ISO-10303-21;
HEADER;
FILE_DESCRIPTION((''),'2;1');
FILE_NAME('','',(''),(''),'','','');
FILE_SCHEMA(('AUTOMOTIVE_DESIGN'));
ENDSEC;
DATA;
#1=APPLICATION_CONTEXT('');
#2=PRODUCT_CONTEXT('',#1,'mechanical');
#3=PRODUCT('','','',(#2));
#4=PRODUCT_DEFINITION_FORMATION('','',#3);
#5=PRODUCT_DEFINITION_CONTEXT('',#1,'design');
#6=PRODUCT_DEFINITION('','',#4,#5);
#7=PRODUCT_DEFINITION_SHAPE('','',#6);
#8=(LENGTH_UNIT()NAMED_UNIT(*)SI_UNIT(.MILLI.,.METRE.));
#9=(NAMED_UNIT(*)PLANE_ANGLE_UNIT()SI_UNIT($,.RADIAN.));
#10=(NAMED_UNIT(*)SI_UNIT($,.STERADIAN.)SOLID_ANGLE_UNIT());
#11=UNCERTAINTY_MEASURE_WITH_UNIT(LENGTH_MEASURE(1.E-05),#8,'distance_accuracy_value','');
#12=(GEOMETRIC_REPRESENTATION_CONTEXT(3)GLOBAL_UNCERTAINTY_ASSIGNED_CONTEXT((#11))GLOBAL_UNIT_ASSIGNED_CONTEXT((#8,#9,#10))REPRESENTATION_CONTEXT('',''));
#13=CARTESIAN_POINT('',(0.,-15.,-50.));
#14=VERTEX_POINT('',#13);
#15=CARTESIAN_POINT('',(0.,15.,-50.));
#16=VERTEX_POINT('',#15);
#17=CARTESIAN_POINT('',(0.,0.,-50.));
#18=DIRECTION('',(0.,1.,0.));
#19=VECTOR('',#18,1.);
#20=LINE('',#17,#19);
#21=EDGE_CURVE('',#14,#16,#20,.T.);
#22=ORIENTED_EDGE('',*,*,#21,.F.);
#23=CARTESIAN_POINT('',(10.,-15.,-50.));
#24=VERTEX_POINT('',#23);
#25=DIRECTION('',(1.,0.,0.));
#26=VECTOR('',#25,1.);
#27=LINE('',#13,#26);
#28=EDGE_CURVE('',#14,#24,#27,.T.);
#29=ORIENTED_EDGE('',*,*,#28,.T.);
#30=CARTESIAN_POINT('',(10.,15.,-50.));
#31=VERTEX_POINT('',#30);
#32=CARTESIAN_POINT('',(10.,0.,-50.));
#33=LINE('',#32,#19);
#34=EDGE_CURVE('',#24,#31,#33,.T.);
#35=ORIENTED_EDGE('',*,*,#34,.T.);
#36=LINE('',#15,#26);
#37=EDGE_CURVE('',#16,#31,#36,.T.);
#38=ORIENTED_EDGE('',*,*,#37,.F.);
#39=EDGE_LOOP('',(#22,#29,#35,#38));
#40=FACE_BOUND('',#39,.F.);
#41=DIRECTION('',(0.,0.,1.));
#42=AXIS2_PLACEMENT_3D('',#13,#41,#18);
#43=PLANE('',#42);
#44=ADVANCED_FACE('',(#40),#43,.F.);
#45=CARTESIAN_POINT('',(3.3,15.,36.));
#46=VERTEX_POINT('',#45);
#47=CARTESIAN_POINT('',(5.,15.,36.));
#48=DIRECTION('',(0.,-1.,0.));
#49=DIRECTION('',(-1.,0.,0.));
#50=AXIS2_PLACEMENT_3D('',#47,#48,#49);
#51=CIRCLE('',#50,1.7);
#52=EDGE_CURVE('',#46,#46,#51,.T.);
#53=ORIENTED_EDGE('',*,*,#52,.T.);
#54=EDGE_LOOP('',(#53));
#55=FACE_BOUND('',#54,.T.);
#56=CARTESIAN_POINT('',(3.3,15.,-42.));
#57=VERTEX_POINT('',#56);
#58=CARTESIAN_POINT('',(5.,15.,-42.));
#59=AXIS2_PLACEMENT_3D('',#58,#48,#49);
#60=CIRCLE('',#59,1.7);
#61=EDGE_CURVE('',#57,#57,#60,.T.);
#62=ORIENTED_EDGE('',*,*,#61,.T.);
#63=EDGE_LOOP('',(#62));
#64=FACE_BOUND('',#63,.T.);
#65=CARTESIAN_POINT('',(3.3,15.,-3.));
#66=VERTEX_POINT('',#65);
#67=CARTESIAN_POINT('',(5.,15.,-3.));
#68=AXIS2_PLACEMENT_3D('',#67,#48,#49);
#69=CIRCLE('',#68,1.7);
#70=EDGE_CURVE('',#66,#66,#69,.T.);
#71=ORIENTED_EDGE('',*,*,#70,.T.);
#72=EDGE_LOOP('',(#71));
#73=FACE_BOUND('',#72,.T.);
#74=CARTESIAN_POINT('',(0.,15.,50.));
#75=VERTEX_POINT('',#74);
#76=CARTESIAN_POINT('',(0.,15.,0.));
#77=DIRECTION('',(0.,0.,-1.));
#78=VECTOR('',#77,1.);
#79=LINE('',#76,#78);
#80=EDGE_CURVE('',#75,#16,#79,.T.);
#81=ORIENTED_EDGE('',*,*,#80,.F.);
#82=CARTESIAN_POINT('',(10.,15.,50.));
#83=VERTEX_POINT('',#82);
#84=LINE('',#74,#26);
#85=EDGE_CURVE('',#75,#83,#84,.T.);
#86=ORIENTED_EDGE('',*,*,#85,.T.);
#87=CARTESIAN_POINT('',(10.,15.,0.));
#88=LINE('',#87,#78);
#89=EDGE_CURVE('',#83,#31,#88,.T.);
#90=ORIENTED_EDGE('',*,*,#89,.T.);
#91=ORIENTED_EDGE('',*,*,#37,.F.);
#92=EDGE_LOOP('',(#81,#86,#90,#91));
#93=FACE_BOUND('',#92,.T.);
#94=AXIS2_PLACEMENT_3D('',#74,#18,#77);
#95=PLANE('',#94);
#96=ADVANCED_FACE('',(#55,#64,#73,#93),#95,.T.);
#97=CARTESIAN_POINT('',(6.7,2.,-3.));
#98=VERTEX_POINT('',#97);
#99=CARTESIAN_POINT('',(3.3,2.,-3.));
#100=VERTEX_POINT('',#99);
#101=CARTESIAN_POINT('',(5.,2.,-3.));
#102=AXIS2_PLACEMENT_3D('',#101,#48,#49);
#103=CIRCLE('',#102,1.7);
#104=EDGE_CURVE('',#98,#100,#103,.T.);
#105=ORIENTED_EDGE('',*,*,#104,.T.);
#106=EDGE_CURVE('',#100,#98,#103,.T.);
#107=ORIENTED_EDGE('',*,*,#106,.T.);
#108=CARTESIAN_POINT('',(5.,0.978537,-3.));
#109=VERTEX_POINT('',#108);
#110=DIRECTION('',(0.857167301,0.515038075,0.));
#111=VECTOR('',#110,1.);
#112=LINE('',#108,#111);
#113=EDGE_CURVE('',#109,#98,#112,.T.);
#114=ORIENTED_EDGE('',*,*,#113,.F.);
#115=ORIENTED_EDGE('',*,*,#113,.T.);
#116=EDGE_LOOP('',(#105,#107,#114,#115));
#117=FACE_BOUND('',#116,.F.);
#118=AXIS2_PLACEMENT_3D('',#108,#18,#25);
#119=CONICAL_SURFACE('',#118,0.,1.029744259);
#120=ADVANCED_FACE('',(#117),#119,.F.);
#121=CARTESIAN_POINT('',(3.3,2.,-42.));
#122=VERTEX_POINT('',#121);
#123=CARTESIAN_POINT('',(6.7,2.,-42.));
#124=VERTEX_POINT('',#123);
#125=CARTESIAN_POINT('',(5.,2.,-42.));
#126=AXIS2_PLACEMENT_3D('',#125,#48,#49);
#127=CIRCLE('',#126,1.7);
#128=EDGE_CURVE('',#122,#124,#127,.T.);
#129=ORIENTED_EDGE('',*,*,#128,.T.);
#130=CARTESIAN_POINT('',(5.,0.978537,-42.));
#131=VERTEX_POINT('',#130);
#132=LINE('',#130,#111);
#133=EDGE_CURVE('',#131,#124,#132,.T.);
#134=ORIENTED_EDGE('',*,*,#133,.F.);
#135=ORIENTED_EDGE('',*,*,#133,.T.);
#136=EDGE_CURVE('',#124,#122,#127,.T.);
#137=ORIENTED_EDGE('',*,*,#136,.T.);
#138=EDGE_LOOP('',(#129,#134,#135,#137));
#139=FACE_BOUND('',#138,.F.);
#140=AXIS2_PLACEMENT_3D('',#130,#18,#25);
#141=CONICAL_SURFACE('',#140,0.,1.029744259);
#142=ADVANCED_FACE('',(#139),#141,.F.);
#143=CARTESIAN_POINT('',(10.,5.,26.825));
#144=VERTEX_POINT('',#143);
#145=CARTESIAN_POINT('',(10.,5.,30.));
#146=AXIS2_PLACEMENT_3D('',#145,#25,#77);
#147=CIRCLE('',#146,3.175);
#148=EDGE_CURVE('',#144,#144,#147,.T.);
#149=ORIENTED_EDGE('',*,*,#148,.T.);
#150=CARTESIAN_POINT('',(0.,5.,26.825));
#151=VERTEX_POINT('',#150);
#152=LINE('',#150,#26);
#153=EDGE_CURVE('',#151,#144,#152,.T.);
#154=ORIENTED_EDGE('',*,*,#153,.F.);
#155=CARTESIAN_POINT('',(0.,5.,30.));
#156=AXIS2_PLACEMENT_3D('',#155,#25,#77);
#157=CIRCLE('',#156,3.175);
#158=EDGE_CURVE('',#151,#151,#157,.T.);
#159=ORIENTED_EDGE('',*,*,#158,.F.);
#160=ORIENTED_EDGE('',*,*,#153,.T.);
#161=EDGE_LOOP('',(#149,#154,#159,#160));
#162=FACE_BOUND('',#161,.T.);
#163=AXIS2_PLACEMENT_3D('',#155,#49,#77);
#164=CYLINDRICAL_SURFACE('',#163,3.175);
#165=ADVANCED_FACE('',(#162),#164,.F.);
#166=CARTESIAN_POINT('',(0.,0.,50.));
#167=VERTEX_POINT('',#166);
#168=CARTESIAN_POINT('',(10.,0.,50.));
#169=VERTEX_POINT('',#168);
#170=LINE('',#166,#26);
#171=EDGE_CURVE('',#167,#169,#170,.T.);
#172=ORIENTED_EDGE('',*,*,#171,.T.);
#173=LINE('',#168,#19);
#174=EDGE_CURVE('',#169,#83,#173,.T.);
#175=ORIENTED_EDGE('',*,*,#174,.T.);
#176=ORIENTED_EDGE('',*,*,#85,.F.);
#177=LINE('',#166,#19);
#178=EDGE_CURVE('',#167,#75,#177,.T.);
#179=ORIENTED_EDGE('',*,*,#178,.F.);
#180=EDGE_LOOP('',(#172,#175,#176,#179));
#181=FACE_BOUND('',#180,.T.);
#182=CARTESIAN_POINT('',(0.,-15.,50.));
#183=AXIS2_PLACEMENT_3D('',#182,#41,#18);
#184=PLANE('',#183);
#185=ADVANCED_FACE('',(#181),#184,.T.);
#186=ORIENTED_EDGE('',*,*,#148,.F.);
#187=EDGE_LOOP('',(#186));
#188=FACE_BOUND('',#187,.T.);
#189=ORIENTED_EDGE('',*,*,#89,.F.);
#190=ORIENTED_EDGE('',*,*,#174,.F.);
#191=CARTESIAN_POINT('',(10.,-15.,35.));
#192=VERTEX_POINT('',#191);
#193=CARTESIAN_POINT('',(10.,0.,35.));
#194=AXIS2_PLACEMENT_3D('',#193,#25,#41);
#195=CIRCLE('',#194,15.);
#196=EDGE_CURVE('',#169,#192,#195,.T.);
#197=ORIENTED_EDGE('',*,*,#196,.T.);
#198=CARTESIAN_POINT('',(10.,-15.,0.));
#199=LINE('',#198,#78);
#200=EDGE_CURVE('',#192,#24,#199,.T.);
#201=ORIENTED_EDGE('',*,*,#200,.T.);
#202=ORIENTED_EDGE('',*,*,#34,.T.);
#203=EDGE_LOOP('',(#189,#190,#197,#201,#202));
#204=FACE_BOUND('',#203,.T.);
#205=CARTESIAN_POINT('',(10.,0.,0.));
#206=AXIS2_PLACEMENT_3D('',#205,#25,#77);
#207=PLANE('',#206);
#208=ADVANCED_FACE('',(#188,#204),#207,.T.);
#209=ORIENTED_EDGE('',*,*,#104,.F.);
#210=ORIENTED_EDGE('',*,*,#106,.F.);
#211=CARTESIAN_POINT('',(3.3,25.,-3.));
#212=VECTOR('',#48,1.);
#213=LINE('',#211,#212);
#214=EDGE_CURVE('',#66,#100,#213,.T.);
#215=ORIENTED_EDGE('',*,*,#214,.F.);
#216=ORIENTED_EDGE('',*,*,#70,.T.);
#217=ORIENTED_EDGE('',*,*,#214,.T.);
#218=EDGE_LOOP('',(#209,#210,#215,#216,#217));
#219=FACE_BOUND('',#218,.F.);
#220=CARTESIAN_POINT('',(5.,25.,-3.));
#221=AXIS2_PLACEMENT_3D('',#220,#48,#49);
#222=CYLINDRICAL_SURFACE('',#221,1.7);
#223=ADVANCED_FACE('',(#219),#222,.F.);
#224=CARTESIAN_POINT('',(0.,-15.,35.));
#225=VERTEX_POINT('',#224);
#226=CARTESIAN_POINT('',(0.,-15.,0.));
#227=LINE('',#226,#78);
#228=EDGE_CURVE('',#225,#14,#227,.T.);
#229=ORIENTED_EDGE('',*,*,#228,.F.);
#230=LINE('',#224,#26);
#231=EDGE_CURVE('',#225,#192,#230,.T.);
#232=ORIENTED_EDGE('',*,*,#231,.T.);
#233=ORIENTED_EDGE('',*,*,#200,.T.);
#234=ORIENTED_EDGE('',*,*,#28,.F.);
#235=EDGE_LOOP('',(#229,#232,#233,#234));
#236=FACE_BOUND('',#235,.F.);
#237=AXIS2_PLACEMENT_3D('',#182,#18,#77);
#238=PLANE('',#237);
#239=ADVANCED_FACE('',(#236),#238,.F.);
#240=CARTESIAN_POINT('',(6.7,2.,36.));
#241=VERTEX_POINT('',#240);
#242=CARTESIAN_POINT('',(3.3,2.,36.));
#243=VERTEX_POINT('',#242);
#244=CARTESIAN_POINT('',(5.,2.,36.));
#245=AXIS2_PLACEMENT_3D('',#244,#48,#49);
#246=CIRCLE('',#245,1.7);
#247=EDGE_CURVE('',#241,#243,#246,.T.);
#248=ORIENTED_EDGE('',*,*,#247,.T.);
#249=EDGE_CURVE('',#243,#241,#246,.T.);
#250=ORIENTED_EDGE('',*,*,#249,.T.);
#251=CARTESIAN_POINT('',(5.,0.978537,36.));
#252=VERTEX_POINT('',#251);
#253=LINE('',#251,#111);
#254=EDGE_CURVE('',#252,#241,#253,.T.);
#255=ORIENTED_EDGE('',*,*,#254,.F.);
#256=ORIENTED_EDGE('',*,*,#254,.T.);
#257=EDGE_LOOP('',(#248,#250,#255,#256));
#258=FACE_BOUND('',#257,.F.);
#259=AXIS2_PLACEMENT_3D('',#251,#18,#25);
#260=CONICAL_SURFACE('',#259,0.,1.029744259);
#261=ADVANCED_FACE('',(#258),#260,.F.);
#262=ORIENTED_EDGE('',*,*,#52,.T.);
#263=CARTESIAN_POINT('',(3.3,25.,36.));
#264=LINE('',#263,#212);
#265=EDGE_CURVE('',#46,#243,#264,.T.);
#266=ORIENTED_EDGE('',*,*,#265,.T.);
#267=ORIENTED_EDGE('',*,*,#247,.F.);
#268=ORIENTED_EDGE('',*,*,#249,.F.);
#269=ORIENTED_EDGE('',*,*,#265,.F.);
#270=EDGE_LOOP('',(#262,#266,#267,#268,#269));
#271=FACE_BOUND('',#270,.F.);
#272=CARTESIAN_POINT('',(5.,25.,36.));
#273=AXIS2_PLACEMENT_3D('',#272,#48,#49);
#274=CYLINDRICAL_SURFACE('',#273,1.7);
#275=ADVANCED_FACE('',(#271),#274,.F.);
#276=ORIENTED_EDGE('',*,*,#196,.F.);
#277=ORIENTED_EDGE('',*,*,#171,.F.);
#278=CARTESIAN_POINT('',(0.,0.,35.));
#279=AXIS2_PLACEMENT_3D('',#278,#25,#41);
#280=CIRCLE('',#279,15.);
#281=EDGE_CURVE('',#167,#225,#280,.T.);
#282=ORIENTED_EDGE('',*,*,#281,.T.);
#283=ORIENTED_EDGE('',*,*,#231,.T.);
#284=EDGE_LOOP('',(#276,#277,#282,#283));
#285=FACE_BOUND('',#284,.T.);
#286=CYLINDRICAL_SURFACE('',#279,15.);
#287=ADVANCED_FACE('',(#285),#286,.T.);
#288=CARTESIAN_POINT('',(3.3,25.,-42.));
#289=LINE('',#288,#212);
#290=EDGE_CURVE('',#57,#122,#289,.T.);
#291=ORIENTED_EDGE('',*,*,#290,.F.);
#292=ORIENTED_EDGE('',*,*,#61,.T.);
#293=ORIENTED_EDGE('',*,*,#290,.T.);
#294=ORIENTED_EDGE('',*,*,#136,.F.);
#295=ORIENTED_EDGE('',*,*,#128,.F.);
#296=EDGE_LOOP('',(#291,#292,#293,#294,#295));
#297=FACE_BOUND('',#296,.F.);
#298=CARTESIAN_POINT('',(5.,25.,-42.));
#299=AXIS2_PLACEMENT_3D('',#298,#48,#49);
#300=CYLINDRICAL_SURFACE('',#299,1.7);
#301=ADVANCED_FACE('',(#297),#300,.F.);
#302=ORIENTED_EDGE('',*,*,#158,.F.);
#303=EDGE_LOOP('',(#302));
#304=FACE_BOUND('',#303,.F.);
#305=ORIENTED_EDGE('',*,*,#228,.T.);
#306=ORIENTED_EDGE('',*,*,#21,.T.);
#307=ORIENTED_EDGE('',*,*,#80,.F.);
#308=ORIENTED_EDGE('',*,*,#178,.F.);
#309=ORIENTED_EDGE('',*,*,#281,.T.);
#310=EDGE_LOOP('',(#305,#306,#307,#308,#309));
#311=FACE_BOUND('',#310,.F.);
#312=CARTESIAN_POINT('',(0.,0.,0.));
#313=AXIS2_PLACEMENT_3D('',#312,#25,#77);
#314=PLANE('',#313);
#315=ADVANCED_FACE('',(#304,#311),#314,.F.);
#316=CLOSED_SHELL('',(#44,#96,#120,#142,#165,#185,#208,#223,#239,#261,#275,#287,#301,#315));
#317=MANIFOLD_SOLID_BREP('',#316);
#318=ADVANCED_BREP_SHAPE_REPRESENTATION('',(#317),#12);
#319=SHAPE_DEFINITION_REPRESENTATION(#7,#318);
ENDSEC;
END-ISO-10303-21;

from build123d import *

# Parameters (mm, degrees)
SKETCH1_W                     = 100
SKETCH1_H                     = 30
SKETCH1_R                     = 3.175
BOSS_EXTRUDE1_DEPTH           = 10
FILLET1_R                     = 15
CBORE_FOR_M3_SHCS_D           = 3.4
CBORE_FOR_M3_SHCS_DEPTH       = 23
CBORE_FOR_M3_SHCS_CBORE_D     = 6.5
CBORE_FOR_M3_SHCS_CBORE_DEPTH = 3
CBORE_FOR_M3_SHCS_TIP         = 1.021463052


with BuildPart() as part:
    # Sketch1 → Boss-Extrude1 (new body)
    with BuildSketch(Plane(origin=(0, 0, 0), x_dir=(0, 0, -1), z_dir=(1, 0, 0))):
        Rectangle(SKETCH1_W, SKETCH1_H)
        with Locations((-30, 5)):
            Circle(SKETCH1_R, mode=Mode.SUBTRACT)
    extrude(amount=BOSS_EXTRUDE1_DEPTH)

    # Fillet1
    fillet1_edges = [part.edges().sort_by_distance(p)[0] for p in [
        (5, -15, 50),
    ]]
    fillet(fillet1_edges, radius=FILLET1_R)

    # CBORE for M3 SHCS
    with Locations(Plane(origin=(-726.293536786, 25, -1323.282701689), x_dir=(1, 0, 0), z_dir=(0, 1, 0))):
        with Locations((731.293536786, -1281.282701689), (731.293536786, -1359.282701689), (621.293536786, -1281.282701689), (621.293536786, -1365.282701689), (621.293536786, -1323.282701689), (731.293536786, -1320.282701689)):
            CounterBoreHole(CBORE_FOR_M3_SHCS_D / 2, CBORE_FOR_M3_SHCS_CBORE_D / 2, CBORE_FOR_M3_SHCS_CBORE_DEPTH, depth=CBORE_FOR_M3_SHCS_DEPTH)
            with Locations((0, 0, -(CBORE_FOR_M3_SHCS_DEPTH + CBORE_FOR_M3_SHCS_TIP / 2))):  # 118° drill point
                Cone(0, CBORE_FOR_M3_SHCS_D / 2, CBORE_FOR_M3_SHCS_TIP, mode=Mode.SUBTRACT)


solid = part.part
